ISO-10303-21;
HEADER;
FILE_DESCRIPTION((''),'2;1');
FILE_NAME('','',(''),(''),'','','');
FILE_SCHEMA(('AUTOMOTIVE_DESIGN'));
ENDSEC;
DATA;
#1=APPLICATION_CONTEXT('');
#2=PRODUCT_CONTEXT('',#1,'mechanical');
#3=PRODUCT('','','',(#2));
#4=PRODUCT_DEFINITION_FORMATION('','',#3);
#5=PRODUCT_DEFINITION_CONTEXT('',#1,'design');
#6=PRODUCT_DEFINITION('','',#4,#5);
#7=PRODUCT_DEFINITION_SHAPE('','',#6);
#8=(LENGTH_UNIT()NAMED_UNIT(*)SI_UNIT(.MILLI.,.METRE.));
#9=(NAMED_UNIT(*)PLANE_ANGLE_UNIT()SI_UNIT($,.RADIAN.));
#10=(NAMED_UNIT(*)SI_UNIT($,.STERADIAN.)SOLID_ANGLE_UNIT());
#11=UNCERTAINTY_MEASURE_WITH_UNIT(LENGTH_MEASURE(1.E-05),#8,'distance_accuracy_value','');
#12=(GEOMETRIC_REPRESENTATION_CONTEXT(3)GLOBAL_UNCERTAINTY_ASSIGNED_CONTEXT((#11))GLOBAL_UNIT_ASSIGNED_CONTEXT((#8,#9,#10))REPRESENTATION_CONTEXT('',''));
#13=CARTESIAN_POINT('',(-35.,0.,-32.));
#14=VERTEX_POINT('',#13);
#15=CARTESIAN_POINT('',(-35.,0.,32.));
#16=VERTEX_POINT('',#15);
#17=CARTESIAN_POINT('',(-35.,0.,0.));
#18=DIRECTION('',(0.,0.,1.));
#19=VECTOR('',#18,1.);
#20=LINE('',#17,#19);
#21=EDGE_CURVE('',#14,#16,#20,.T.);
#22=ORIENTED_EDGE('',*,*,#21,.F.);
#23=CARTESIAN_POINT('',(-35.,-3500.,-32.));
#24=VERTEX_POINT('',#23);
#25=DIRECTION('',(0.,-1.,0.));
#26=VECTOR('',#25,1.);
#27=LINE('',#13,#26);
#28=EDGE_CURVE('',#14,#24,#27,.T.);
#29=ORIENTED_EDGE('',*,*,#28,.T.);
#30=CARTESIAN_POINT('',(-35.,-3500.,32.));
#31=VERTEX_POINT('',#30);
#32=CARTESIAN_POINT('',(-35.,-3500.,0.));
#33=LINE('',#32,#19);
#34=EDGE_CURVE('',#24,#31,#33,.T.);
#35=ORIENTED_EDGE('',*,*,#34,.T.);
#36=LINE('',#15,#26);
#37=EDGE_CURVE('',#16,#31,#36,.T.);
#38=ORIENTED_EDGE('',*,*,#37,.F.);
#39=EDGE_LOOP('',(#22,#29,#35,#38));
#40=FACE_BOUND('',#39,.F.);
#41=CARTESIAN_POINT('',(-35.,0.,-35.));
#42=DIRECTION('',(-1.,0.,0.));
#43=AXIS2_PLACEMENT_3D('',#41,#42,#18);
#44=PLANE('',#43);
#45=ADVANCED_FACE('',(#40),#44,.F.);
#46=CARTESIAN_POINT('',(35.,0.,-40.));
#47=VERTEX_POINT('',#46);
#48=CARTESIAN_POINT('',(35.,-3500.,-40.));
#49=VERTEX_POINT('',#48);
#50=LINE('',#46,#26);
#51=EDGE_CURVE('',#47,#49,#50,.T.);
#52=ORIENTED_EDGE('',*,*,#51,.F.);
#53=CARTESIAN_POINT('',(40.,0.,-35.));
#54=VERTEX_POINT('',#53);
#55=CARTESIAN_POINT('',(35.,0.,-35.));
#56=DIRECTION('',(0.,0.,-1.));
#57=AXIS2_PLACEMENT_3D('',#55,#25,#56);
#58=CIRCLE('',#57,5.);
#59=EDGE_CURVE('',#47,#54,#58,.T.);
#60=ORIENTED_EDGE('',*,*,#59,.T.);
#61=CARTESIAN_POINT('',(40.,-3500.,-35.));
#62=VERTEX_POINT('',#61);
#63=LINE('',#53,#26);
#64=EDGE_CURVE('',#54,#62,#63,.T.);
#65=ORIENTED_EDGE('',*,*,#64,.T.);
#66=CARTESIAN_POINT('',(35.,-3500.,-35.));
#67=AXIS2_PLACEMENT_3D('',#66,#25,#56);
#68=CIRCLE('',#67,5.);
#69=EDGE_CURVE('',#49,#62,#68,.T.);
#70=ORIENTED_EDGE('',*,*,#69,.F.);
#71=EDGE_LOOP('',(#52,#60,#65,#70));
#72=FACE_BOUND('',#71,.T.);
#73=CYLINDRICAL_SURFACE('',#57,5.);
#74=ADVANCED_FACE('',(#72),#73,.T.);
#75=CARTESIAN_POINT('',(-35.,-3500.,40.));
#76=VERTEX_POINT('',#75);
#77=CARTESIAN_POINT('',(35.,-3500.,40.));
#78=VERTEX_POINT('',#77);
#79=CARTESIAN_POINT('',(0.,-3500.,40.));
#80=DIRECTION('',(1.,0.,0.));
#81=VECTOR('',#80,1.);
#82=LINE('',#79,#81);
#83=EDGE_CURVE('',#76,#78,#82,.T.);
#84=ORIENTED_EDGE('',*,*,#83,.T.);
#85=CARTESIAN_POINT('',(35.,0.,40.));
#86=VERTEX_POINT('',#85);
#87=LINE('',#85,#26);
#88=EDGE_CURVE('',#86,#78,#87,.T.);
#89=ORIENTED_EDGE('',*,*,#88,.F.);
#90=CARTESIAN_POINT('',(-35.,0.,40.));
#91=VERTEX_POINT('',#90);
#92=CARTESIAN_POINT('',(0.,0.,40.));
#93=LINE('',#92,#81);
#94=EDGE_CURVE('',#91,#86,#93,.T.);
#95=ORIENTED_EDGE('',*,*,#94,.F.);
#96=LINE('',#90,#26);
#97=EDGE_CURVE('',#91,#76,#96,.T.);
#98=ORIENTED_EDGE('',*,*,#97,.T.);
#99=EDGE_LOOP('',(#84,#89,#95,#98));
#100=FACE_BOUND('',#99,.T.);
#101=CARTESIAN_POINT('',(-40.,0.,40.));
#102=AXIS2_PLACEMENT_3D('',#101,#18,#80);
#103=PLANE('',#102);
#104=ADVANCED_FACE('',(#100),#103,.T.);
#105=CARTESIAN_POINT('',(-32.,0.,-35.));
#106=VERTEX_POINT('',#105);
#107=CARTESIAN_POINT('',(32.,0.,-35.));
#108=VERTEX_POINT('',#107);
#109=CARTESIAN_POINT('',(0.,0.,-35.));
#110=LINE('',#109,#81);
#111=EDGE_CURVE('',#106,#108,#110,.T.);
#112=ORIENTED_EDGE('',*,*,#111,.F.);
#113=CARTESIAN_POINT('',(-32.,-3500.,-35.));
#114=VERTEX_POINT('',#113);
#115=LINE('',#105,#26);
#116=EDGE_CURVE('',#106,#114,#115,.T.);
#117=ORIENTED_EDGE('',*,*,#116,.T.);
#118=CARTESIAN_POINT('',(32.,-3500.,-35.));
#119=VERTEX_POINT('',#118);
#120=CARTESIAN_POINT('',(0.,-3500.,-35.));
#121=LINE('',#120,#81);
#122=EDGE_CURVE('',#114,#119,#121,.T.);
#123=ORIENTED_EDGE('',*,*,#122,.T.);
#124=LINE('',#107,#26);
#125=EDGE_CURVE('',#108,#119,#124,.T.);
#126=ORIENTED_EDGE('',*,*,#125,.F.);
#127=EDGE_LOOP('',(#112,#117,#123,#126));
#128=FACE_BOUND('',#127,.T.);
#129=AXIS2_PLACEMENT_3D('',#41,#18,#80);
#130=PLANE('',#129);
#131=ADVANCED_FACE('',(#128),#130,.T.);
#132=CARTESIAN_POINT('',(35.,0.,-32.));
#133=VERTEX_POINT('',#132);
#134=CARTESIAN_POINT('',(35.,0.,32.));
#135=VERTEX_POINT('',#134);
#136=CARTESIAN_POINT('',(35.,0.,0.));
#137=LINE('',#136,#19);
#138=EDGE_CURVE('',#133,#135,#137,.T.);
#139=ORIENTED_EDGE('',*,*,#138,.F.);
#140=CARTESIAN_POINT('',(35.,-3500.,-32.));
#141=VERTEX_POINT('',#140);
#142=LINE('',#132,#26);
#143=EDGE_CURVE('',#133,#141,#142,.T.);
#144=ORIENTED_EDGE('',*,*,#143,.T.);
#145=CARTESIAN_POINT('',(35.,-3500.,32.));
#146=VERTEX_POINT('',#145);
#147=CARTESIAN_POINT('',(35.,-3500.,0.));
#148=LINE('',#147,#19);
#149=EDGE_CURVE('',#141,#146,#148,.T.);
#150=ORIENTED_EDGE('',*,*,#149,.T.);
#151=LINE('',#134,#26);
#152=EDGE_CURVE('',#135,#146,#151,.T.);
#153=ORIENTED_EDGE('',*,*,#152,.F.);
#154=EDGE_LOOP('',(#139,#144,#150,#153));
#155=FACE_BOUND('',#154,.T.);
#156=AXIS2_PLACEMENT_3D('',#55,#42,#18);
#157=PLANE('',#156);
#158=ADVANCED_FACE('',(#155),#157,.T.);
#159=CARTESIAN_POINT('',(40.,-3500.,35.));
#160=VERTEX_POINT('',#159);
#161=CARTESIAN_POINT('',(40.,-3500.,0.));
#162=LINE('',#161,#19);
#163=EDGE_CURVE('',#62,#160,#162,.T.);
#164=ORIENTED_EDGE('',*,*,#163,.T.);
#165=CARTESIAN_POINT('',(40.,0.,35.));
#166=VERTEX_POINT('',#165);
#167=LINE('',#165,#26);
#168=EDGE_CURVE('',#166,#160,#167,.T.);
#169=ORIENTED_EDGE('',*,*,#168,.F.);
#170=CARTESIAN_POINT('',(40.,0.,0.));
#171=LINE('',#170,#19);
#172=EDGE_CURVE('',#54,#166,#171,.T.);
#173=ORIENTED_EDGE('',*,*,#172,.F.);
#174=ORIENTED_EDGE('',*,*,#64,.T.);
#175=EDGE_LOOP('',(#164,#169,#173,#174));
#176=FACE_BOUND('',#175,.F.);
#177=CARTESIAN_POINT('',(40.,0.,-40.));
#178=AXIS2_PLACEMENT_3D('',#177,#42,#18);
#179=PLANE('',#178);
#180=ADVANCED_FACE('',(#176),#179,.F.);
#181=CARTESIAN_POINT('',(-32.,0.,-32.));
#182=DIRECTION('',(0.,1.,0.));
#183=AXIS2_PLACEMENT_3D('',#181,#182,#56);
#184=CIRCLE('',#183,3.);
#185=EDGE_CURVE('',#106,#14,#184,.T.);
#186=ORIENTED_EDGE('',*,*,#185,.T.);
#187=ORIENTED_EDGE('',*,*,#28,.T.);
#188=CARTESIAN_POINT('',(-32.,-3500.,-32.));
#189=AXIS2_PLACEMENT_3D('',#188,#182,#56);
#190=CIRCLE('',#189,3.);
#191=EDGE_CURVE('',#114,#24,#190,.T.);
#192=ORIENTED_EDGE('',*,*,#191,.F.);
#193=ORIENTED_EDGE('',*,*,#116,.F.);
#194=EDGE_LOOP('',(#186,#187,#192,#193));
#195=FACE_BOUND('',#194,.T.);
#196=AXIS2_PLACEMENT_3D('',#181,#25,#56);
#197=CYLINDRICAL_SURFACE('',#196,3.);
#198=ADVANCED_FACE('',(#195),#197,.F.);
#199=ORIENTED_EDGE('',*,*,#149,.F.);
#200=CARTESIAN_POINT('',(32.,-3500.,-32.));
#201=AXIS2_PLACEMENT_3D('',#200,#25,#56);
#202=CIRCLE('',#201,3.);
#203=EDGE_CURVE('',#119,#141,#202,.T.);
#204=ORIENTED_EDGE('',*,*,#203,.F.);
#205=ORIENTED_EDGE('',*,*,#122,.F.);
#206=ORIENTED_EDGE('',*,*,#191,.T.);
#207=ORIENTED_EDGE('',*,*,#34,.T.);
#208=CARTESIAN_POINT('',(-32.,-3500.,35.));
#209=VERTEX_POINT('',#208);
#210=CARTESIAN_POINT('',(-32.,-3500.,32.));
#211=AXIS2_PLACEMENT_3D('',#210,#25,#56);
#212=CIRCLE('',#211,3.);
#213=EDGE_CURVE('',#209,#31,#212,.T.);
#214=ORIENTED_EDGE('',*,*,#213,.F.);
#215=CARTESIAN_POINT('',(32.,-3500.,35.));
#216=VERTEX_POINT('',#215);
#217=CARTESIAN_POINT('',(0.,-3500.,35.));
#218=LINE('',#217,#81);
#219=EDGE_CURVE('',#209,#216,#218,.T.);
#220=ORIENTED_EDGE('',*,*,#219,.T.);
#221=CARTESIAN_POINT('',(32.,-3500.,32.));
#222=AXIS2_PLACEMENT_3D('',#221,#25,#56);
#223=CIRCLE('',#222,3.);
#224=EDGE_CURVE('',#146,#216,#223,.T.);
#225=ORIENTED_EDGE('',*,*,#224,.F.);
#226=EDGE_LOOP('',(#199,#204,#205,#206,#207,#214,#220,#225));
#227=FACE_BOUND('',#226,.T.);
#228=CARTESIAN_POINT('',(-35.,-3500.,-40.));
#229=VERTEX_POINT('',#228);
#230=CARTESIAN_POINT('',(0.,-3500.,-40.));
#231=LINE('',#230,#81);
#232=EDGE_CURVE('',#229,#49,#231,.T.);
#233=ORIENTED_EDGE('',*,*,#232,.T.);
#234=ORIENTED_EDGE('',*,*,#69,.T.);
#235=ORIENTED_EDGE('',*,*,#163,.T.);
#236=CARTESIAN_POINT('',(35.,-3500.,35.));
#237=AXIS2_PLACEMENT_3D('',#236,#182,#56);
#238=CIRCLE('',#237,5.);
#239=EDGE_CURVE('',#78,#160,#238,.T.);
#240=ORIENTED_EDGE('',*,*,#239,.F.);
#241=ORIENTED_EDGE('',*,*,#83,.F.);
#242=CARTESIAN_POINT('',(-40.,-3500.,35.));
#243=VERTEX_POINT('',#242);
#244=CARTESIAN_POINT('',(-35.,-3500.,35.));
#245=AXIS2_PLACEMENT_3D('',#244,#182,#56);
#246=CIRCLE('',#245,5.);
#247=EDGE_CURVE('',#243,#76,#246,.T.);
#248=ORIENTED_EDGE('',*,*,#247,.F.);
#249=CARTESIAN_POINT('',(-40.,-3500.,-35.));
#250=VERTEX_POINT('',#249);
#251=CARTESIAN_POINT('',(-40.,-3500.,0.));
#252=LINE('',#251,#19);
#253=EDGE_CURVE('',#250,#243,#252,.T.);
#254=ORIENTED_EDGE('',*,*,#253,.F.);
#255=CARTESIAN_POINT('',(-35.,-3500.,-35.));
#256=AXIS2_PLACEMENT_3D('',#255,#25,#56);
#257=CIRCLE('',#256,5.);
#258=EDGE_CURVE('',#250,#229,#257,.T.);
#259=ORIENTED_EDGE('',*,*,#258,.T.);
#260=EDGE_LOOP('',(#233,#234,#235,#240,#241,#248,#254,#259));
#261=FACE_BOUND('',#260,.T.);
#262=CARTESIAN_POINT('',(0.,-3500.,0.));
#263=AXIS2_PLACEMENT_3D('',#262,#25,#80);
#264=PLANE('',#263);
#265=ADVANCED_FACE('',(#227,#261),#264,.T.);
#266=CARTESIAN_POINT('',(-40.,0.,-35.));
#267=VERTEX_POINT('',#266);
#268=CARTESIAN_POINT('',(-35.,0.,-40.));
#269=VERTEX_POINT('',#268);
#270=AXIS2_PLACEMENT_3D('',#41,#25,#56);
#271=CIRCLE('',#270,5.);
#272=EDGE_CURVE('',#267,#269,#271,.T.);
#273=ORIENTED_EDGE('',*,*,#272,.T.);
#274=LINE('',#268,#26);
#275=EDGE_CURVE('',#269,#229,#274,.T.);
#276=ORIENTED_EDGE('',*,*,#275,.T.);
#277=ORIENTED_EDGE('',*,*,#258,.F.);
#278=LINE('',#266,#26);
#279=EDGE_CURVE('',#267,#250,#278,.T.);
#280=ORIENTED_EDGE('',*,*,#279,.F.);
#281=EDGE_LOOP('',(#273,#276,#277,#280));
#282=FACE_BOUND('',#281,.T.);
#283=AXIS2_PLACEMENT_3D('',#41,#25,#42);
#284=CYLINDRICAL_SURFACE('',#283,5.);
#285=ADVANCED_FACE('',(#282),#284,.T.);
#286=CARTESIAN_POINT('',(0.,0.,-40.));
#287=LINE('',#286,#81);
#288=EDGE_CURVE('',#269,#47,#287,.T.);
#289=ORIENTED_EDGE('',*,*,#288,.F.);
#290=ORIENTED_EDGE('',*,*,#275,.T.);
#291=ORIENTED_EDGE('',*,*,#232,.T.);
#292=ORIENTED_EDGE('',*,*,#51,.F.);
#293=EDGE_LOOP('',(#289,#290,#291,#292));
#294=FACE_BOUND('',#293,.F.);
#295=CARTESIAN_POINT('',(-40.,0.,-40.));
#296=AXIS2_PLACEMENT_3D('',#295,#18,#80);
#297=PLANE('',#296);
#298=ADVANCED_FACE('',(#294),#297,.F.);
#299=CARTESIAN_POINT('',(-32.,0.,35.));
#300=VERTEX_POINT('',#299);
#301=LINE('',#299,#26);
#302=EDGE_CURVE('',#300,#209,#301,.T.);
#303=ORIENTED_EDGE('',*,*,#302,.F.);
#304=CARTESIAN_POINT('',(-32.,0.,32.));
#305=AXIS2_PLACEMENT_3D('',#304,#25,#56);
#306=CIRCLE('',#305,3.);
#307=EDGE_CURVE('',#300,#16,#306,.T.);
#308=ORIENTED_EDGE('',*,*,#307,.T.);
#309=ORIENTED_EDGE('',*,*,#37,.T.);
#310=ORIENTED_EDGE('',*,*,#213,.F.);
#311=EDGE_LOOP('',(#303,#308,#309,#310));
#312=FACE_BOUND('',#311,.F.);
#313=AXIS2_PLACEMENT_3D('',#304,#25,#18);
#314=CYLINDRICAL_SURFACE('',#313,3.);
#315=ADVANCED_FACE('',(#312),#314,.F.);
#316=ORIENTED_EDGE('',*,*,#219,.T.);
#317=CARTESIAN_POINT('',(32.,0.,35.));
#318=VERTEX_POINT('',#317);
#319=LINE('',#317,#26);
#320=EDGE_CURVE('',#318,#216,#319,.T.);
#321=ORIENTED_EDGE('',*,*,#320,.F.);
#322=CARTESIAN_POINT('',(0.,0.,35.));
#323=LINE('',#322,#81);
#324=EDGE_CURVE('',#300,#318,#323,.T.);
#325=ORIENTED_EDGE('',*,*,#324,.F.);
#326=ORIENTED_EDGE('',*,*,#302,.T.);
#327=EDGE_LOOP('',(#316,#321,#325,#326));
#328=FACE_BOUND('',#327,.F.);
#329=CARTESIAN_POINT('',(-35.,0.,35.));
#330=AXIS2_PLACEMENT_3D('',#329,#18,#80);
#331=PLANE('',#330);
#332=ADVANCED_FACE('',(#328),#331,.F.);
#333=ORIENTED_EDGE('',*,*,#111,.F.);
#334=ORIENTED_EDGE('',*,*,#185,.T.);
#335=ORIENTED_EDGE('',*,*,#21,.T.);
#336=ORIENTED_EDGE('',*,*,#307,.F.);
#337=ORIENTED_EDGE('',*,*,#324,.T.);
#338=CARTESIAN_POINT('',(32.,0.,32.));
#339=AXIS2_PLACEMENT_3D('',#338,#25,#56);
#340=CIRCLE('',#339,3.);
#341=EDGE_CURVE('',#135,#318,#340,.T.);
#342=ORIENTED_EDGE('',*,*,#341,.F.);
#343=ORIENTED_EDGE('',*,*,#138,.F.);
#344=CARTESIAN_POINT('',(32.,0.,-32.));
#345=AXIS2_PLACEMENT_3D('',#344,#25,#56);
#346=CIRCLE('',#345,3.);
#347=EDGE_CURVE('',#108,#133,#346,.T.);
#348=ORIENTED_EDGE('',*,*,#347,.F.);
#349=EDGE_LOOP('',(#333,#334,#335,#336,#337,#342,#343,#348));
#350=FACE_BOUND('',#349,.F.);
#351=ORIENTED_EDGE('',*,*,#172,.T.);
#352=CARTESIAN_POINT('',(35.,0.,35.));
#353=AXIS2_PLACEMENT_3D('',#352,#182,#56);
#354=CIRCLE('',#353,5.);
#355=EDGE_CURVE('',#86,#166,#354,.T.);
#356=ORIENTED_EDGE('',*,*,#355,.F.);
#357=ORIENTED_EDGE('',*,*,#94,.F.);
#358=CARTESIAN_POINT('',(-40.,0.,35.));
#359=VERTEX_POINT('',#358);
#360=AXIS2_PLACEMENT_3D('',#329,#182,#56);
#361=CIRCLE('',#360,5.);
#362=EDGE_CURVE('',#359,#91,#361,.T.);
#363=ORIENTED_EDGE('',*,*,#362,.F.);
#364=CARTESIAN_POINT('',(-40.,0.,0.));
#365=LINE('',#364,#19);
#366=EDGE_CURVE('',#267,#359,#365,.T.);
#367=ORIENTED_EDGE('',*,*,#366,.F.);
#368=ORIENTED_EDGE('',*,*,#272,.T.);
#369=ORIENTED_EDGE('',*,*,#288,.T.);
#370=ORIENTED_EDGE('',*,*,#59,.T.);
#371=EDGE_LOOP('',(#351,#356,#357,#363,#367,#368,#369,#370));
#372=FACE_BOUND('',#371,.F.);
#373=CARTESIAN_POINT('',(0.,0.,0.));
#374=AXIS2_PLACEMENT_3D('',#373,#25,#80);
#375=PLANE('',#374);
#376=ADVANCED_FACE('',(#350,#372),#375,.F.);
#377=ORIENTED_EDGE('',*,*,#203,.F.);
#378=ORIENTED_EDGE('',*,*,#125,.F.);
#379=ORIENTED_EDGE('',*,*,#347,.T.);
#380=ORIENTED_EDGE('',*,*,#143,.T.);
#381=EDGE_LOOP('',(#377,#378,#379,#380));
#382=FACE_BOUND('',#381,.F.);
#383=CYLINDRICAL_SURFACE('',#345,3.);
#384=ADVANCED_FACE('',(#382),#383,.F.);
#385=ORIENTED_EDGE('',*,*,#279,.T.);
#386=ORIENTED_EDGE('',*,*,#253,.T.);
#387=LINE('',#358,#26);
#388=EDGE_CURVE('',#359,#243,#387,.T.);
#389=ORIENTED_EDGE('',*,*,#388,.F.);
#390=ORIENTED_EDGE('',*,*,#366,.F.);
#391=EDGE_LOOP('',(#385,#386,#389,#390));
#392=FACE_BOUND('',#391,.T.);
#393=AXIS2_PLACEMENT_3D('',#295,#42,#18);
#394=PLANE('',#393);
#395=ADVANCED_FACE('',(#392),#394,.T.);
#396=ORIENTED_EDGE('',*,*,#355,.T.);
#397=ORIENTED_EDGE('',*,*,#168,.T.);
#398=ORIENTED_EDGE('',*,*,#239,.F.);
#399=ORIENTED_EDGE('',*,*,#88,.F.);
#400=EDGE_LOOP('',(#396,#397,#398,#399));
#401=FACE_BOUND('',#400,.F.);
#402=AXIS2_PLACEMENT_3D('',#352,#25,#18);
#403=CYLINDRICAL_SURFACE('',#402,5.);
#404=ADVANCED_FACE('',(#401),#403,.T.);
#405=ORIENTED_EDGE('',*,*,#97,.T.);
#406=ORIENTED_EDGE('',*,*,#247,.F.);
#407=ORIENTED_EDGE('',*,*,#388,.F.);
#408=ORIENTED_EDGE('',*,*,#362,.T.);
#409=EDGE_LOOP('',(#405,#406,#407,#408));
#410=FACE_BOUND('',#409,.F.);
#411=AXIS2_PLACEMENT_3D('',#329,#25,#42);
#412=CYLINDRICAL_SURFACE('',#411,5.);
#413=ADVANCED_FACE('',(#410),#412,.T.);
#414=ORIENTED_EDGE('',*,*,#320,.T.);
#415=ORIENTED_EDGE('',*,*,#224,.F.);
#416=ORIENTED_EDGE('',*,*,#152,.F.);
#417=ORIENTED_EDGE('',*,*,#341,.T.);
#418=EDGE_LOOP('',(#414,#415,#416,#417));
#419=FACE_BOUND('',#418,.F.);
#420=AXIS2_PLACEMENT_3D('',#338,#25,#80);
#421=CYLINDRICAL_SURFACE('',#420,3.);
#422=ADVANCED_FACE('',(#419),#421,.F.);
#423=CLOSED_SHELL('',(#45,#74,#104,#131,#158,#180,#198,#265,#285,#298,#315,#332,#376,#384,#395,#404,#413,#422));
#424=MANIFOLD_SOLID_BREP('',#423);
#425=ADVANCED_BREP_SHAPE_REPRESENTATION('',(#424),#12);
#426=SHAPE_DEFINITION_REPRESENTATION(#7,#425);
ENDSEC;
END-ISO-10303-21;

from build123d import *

# Parameters (mm, degrees)
F0_W     = 80
F0_H     = 80
F0_W_2   = 70
F0_H_2   = 70
F1_DEPTH = 3500
F2_R     = 3
F3_R     = 5


with BuildPart() as f1:
    # F0 (on Front) → F1 (new body)
    with BuildSketch(Plane.XZ):
        Rectangle(F0_W, F0_H)
        Rectangle(F0_W_2, F0_H_2, mode=Mode.SUBTRACT)
    extrude(amount=F1_DEPTH)

    # F2
    f2_edges = [f1.edges().sort_by_distance(p)[0] for p in [
        (35, -1750, -35),
        (-35, -1750, -35),
        (35, -1750, 35),
        (-35, -1750, 35),
    ]]
    fillet(f2_edges, radius=F2_R)

    # F3
    f3_edges = [f1.edges().sort_by_distance(p)[0] for p in [
        (40, -1750, 40),
        (-40, -1750, 40),
        (-40, -1750, -40),
        (40, -1750, -40),
    ]]
    fillet(f3_edges, radius=F3_R)


solid = f1.part
